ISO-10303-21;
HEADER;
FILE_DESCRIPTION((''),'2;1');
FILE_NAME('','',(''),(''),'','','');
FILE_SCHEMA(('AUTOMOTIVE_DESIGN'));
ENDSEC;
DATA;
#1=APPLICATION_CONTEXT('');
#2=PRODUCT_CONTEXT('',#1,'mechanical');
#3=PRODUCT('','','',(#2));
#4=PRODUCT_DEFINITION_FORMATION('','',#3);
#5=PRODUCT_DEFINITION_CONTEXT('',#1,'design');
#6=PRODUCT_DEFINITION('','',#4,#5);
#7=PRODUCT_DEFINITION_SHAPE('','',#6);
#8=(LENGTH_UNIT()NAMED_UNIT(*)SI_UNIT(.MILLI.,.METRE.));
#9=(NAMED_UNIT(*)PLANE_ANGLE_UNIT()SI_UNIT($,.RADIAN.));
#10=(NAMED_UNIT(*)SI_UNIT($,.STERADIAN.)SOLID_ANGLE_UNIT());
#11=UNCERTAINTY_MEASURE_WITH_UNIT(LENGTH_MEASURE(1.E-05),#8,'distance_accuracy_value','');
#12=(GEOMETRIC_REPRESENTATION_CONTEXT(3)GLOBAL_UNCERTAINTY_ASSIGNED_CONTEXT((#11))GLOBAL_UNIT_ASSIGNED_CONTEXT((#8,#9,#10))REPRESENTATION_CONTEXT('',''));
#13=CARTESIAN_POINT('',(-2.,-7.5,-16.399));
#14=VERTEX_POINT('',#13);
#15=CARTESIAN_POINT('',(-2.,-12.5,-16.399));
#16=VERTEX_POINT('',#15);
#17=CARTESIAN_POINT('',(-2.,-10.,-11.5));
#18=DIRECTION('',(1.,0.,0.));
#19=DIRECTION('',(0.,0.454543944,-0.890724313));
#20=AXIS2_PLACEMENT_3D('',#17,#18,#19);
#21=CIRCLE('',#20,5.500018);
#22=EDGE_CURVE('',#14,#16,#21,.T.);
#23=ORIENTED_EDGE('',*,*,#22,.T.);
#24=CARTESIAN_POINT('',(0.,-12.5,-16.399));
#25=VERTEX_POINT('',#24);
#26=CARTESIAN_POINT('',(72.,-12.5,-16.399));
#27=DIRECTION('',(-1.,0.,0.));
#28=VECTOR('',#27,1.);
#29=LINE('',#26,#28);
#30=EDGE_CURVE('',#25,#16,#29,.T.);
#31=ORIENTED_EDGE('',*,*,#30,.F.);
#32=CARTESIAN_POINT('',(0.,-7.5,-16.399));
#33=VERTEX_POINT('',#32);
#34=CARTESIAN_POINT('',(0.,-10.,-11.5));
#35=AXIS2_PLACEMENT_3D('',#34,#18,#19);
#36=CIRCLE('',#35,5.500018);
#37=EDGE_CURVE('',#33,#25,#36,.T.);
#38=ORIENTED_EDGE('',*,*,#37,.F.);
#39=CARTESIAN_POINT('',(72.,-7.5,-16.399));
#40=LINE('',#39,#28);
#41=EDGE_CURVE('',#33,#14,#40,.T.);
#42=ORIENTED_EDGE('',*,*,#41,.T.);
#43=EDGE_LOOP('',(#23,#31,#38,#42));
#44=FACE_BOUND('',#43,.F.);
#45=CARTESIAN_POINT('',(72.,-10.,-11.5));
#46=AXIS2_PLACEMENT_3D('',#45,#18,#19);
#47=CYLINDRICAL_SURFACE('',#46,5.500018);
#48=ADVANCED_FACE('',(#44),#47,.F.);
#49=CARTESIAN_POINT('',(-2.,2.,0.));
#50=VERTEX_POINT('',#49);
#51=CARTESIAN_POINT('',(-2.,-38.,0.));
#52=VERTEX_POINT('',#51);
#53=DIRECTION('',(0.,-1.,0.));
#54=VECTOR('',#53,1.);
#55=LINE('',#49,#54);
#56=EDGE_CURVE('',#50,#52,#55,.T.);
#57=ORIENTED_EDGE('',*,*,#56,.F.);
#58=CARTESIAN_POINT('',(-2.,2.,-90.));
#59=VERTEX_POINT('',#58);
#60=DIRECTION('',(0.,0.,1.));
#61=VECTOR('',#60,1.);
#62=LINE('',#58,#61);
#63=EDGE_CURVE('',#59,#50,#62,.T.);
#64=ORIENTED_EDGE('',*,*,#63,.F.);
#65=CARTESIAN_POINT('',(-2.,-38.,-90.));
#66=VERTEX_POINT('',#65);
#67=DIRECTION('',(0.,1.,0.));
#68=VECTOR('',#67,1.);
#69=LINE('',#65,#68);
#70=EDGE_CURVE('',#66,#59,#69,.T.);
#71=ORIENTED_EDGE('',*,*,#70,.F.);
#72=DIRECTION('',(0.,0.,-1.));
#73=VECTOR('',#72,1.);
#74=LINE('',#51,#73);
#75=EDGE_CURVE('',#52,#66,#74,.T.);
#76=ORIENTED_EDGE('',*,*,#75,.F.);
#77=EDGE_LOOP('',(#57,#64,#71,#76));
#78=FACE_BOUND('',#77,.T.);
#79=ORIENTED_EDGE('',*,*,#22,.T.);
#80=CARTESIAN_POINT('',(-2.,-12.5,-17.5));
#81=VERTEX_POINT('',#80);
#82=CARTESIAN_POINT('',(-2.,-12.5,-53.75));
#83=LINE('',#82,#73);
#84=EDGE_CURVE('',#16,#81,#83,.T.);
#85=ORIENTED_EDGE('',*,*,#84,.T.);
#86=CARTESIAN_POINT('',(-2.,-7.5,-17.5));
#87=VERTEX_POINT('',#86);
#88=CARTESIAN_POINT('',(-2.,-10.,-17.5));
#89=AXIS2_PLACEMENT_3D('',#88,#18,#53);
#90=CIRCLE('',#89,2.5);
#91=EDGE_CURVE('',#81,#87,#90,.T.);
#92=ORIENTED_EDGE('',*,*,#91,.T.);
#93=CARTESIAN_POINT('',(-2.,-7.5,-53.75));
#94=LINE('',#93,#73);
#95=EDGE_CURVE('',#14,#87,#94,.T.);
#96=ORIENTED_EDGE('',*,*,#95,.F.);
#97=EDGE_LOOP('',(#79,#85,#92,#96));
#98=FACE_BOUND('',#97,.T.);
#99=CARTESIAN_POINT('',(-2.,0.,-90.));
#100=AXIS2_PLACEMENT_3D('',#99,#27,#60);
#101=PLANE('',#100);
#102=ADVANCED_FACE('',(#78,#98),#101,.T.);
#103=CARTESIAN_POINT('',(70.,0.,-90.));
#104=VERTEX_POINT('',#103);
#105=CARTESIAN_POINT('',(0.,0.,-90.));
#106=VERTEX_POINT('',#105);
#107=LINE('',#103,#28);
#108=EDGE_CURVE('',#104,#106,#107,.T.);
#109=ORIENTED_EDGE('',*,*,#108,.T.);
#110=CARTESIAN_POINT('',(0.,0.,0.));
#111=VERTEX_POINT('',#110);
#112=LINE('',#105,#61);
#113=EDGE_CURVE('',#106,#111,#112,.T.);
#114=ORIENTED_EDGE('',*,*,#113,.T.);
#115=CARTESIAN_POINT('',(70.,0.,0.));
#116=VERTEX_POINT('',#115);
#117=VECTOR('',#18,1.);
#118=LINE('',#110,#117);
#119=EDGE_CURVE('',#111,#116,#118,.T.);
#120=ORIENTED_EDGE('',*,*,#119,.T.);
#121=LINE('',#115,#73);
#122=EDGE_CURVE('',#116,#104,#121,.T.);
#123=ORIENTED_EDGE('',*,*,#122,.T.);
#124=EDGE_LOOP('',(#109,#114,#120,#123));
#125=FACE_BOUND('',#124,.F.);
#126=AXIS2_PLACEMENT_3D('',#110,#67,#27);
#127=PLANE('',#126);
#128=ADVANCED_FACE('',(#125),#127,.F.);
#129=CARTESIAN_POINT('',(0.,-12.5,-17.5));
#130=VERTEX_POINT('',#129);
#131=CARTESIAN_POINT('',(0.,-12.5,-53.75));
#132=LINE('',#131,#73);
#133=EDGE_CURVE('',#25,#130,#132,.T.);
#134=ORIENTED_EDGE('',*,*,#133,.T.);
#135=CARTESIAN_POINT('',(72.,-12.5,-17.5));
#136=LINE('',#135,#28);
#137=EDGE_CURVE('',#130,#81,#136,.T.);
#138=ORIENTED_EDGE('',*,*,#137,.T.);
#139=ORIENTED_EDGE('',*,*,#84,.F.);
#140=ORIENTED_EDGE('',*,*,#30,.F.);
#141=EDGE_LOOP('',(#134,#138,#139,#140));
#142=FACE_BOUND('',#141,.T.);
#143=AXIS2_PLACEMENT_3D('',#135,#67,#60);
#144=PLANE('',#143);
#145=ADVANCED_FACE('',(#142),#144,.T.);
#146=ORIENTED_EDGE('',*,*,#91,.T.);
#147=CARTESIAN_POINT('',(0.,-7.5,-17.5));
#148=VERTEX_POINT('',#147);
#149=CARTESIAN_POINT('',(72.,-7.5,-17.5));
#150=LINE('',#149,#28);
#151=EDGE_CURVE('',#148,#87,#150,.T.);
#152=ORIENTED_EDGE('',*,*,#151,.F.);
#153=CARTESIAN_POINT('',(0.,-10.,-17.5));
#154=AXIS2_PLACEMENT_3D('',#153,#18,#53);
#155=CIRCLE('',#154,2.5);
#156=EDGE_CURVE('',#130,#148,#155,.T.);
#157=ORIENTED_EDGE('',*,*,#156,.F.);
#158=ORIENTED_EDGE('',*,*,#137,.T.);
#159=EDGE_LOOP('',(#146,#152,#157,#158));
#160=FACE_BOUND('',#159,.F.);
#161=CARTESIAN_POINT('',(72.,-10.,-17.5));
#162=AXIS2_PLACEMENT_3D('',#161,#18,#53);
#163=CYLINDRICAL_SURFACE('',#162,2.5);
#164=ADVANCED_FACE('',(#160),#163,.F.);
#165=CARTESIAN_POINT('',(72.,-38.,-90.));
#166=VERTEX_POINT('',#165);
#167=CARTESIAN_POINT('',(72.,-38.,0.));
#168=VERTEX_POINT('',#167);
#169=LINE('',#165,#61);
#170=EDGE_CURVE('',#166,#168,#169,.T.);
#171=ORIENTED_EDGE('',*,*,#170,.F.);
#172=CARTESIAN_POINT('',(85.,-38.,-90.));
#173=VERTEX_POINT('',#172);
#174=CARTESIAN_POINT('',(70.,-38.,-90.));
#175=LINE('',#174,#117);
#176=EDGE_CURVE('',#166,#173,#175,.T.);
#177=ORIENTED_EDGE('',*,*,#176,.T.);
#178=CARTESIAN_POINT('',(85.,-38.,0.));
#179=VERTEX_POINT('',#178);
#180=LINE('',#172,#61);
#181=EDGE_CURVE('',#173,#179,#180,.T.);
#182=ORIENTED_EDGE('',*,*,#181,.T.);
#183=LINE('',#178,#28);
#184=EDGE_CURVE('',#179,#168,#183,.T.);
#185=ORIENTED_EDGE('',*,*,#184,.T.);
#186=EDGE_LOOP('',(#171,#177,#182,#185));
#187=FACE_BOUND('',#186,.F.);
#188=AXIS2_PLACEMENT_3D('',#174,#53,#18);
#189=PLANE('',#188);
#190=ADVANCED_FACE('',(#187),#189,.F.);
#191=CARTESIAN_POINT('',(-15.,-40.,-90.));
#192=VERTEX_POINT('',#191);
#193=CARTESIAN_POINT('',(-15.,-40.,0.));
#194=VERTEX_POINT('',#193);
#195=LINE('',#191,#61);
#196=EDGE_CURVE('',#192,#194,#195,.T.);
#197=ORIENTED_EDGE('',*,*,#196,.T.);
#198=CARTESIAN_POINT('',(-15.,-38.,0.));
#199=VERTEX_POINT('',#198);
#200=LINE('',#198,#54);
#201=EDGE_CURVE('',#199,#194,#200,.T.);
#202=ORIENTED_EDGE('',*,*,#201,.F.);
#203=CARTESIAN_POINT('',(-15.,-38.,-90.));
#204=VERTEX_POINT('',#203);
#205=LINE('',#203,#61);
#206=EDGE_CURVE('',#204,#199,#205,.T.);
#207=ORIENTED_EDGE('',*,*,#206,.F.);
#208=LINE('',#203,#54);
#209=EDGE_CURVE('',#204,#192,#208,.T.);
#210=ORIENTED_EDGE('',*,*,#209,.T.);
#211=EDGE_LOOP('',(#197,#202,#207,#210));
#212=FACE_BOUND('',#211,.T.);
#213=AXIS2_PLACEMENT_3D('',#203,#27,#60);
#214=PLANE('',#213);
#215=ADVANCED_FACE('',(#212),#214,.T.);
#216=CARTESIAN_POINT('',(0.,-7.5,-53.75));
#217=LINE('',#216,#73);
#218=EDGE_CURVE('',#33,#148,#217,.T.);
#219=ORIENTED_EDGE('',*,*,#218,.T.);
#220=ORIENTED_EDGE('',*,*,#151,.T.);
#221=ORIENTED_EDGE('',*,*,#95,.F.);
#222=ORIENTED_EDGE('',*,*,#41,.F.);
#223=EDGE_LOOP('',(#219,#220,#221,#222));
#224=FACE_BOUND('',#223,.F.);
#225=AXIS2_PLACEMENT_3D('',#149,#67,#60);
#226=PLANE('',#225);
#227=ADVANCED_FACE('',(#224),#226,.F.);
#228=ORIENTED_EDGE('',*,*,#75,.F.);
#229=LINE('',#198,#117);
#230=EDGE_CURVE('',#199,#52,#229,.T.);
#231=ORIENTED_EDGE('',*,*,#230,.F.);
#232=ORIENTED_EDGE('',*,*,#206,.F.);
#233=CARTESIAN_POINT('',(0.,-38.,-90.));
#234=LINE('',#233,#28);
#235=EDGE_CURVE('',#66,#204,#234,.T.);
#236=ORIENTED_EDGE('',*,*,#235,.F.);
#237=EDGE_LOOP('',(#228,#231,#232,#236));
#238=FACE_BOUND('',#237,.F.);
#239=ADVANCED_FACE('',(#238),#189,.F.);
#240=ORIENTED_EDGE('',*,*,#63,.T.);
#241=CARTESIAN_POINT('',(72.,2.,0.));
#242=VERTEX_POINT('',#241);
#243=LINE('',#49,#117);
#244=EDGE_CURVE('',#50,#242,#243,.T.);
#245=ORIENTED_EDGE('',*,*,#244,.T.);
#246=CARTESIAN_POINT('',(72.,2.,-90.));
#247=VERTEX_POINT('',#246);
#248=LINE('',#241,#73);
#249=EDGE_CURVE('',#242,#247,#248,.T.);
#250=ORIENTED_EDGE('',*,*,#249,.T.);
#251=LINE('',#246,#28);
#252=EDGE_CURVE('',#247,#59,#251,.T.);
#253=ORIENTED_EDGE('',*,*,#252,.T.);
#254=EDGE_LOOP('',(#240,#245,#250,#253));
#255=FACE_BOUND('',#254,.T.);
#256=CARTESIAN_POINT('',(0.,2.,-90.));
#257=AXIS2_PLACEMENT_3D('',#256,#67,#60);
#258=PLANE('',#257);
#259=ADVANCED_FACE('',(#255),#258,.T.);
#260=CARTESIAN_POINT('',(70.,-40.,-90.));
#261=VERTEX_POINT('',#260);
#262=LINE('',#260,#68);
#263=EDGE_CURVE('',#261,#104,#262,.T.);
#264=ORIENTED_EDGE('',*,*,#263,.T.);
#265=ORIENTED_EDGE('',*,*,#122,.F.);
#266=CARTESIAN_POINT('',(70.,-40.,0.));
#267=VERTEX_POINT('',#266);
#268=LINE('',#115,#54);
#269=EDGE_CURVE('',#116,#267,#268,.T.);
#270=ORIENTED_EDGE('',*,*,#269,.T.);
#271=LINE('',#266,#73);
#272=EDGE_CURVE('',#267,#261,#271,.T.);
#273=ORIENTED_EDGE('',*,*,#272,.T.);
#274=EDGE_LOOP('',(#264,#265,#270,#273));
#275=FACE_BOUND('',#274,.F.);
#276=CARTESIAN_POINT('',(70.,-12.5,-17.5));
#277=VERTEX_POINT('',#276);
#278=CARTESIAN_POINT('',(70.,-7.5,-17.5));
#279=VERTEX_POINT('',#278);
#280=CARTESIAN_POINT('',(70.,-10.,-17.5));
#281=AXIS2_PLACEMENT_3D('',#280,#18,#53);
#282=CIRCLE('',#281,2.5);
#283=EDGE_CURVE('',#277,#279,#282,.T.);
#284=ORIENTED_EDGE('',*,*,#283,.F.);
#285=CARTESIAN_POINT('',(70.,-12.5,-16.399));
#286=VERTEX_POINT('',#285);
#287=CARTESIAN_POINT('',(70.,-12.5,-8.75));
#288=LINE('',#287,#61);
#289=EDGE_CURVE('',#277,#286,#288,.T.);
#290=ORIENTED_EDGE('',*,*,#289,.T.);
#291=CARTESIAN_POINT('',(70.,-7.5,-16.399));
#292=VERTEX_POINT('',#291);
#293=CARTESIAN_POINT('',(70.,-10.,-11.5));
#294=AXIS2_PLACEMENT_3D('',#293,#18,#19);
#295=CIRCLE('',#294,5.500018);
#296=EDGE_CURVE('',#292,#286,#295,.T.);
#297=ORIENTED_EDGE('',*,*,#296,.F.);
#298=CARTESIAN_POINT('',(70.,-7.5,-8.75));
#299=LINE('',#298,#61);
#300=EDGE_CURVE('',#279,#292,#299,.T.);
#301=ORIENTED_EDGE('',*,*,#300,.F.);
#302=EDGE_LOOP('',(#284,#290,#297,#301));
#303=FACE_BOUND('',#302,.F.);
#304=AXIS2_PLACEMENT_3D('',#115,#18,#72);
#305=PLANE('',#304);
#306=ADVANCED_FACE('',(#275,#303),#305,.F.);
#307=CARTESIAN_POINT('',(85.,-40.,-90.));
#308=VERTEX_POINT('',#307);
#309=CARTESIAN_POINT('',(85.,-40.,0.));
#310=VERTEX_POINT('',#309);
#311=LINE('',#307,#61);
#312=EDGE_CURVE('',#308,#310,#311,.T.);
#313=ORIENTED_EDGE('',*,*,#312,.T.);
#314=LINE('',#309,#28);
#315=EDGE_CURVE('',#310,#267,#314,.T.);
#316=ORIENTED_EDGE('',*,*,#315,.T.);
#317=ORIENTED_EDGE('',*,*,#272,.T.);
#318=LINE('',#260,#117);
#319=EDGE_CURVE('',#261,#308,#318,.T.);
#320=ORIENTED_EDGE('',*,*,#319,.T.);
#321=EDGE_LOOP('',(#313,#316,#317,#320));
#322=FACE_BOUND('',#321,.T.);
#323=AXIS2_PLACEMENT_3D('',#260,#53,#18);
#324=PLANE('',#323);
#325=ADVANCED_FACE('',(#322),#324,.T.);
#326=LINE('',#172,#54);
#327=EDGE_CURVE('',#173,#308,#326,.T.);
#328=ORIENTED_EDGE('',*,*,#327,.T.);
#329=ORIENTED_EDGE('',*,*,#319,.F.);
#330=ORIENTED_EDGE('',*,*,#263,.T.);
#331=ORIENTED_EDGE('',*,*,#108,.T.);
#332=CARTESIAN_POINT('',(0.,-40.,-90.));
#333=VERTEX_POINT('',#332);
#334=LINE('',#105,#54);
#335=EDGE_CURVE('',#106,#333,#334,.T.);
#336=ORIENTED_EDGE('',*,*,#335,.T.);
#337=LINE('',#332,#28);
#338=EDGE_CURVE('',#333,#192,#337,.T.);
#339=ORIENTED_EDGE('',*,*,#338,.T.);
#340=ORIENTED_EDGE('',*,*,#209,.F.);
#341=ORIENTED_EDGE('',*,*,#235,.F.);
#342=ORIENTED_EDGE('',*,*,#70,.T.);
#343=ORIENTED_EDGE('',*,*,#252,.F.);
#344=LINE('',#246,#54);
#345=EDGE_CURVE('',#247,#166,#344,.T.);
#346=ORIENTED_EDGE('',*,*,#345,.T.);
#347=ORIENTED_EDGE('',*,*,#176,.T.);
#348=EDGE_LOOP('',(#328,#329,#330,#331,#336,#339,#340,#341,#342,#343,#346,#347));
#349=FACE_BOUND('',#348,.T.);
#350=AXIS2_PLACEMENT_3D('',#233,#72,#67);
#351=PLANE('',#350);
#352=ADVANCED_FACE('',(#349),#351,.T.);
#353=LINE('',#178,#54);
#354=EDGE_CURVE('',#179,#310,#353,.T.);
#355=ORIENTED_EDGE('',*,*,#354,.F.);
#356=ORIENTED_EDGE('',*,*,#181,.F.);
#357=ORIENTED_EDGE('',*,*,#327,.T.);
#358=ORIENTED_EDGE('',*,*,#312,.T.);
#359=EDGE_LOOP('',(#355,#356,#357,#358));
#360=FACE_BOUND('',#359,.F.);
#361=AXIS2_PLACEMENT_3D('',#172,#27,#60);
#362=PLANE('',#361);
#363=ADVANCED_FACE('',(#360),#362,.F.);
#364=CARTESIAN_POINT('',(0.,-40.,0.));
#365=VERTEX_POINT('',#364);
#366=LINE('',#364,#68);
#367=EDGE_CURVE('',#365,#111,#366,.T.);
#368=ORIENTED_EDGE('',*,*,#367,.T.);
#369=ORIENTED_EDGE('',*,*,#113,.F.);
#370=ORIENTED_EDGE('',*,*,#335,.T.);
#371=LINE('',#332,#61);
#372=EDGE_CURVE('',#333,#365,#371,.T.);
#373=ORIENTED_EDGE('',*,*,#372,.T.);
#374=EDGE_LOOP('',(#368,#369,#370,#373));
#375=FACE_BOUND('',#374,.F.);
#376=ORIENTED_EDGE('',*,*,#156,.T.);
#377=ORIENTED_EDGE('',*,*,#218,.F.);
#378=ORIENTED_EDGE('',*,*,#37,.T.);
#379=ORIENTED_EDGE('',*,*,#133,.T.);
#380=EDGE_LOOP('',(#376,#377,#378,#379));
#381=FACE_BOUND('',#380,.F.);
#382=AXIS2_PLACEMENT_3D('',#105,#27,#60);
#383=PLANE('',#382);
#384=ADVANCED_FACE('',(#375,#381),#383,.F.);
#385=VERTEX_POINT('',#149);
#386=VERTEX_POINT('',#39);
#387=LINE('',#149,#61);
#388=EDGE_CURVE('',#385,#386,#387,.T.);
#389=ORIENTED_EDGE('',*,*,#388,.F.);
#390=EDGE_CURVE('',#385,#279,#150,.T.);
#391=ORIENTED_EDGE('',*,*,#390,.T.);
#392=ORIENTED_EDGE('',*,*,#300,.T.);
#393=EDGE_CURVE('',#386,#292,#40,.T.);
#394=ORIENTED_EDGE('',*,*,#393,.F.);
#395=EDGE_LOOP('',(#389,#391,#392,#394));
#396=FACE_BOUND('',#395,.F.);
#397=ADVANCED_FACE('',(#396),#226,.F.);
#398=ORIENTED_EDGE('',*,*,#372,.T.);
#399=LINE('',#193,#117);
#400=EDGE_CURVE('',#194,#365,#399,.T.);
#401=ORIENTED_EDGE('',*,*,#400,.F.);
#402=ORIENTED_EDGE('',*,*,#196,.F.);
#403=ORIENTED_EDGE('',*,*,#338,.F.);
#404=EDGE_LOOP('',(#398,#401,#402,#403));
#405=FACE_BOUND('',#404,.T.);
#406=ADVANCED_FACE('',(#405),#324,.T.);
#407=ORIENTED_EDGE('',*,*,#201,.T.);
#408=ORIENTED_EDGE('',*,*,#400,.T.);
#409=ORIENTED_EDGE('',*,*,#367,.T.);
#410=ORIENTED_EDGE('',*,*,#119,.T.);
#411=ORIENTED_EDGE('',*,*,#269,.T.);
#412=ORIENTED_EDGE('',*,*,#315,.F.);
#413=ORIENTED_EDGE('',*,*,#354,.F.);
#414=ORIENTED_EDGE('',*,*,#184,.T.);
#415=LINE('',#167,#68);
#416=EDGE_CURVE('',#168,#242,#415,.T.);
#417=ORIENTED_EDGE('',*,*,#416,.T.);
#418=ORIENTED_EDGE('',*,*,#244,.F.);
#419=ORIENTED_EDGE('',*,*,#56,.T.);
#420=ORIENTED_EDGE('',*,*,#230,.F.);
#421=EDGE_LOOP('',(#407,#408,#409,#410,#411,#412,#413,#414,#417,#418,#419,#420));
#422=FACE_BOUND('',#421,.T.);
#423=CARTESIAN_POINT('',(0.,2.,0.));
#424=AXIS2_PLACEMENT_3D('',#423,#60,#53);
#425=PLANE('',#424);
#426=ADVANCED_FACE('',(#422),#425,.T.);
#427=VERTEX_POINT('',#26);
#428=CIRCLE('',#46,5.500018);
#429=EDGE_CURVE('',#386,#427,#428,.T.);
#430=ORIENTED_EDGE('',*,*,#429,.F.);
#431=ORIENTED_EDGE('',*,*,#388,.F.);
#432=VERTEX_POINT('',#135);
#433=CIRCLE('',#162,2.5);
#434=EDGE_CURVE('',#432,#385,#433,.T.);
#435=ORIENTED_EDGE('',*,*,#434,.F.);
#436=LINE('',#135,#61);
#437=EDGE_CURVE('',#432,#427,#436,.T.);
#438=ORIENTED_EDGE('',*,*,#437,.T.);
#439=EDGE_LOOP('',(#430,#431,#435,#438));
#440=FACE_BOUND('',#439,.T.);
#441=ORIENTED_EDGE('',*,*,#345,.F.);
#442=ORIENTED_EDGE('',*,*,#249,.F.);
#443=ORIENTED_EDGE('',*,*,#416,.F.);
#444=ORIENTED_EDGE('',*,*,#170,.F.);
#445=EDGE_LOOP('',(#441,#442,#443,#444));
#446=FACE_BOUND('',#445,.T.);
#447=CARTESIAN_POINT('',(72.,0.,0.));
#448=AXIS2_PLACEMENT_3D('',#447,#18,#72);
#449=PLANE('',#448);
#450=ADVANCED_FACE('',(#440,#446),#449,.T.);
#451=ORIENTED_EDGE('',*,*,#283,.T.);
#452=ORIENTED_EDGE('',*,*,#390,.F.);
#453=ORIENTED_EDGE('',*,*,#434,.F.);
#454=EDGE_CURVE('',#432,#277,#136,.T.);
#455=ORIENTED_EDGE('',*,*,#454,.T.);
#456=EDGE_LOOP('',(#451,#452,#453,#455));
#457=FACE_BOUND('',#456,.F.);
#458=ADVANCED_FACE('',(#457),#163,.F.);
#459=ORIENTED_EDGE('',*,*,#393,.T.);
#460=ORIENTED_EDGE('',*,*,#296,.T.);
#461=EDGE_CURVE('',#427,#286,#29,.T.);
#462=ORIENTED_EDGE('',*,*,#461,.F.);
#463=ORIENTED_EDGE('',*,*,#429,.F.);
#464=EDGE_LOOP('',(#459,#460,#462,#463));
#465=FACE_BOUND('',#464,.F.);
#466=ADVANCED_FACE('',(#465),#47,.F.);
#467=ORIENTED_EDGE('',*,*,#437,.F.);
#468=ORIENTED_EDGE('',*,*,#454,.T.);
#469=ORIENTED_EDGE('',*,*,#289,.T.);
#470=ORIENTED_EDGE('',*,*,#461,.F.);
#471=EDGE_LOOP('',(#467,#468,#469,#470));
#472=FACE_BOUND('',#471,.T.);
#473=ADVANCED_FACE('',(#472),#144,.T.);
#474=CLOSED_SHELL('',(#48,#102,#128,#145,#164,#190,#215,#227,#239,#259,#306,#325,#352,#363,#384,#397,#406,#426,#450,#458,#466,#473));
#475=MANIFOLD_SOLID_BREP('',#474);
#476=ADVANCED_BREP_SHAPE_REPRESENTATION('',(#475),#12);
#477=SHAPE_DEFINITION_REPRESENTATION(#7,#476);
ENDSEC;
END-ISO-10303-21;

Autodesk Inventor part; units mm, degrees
ref_plane "YZ Plane" through (0, 0, 0) normal (1, 0, 0) x (0, 1, 0)
ref_plane "XZ Plane" through (0, 0, 0) normal (0, 1, 0) x (-1, 0, 0)
ref_plane "XY Plane" through (0, 0, 0) normal (0, 0, 1) x (1, 0, 0)
sketch "Sketch1" plane through (0, 0, 0) normal (0, 1, 0) x (-1, 0, 0)
  line L0 (0, 0) -> (-70, 0)
  line L1 (-70, 0) -> (-70, -90)
  line L2 (-70, -90) -> (0, -90)
  line L3 (0, -90) -> (0, 0)
  dimension "d0" = 70
  dimension "d1" = 90
extrude "Extrusion1" add sketch "Sketch1" along normal blind 2
sketch "Sketch2" plane through (70, 0, 0) normal (1, 0, 0) x (0, 0, -1)
  line L0 (0, 2) -> (90, 2) projected
  line L1 (0, 2) -> (90, 2)
  line L2 (90, 2) -> (90, -38)
  line L3 (90, -38) -> (0, -38)
  line L4 (0, -38) -> (0, 2)
  point P0 (0, 0)
  dimension "d4" = 90
  dimension "d5" = 40
extrude "Extrusion2" add sketch "Sketch2" along normal blind 2
sketch "Sketch3" plane through (0, 0, -90) normal (-1, 0, 0) x (0, 0, 1)
  line L0 (0, 2) -> (90, 2) projected
  line L1 (90, -38) -> (0, -38) projected
  line L2 (0, 2) -> (90, 2)
  line L3 (90, 2) -> (90, -38)
  line L4 (90, -38) -> (0, -38)
  line L5 (0, -38) -> (0, 2)
  point P0 (90, 0)
extrude "Extrusion3" add sketch "Sketch3" along normal blind 2
sketch "Sketch4" plane through (70, -38, -90) normal (0, -1, 0) x (1, 0, 0)
  line L0 (0, 90) -> (0, 0) projected
  line L1 (0, 0) -> (15, 0)
  line L2 (15, 0) -> (15, 90)
  line L3 (15, 90) -> (0, 90)
  line L4 (0, 90) -> (0, 0)
  line L5 (-70, 0) -> (-70, 90) projected
  line L6 (-70, 0) -> (-85, 0)
  line L7 (-85, 0) -> (-85, 90)
  line L8 (-85, 90) -> (-70, 90)
  line L9 (-70, 90) -> (-70, 0)
  dimension "d10" = 15
  dimension "d11" = 15
extrude "Extrusion4" add sketch "Sketch4" along normal blind 2
sketch "Sketch5" plane through (72, 0, 0) normal (1, 0, 0) x (0, 0, -1)
  arc A0 (16.399, -7.5) -> (16.399, -12.5) centre (11.5, -10) ccw
  line L0 (0, 2) -> (0, -38) projected
  line L1 (0, 0) -> (90, 0) projected
  arc A1 (17.5, -12.5) -> (17.5, -7.5) centre (17.5, -10) ccw
  line L2 (17.5, -7.5) -> (16.399, -7.5)
  line L3 (17.5, -12.5) -> (16.399, -12.5)
  dimension "d14" = 11
  dimension "d15" = 11.5
  dimension "d18" = 5
extrude "Extrusion5" cut sketch "Sketch5" against normal blind 95
properties part number "wc" material "Wood (Birch)"
